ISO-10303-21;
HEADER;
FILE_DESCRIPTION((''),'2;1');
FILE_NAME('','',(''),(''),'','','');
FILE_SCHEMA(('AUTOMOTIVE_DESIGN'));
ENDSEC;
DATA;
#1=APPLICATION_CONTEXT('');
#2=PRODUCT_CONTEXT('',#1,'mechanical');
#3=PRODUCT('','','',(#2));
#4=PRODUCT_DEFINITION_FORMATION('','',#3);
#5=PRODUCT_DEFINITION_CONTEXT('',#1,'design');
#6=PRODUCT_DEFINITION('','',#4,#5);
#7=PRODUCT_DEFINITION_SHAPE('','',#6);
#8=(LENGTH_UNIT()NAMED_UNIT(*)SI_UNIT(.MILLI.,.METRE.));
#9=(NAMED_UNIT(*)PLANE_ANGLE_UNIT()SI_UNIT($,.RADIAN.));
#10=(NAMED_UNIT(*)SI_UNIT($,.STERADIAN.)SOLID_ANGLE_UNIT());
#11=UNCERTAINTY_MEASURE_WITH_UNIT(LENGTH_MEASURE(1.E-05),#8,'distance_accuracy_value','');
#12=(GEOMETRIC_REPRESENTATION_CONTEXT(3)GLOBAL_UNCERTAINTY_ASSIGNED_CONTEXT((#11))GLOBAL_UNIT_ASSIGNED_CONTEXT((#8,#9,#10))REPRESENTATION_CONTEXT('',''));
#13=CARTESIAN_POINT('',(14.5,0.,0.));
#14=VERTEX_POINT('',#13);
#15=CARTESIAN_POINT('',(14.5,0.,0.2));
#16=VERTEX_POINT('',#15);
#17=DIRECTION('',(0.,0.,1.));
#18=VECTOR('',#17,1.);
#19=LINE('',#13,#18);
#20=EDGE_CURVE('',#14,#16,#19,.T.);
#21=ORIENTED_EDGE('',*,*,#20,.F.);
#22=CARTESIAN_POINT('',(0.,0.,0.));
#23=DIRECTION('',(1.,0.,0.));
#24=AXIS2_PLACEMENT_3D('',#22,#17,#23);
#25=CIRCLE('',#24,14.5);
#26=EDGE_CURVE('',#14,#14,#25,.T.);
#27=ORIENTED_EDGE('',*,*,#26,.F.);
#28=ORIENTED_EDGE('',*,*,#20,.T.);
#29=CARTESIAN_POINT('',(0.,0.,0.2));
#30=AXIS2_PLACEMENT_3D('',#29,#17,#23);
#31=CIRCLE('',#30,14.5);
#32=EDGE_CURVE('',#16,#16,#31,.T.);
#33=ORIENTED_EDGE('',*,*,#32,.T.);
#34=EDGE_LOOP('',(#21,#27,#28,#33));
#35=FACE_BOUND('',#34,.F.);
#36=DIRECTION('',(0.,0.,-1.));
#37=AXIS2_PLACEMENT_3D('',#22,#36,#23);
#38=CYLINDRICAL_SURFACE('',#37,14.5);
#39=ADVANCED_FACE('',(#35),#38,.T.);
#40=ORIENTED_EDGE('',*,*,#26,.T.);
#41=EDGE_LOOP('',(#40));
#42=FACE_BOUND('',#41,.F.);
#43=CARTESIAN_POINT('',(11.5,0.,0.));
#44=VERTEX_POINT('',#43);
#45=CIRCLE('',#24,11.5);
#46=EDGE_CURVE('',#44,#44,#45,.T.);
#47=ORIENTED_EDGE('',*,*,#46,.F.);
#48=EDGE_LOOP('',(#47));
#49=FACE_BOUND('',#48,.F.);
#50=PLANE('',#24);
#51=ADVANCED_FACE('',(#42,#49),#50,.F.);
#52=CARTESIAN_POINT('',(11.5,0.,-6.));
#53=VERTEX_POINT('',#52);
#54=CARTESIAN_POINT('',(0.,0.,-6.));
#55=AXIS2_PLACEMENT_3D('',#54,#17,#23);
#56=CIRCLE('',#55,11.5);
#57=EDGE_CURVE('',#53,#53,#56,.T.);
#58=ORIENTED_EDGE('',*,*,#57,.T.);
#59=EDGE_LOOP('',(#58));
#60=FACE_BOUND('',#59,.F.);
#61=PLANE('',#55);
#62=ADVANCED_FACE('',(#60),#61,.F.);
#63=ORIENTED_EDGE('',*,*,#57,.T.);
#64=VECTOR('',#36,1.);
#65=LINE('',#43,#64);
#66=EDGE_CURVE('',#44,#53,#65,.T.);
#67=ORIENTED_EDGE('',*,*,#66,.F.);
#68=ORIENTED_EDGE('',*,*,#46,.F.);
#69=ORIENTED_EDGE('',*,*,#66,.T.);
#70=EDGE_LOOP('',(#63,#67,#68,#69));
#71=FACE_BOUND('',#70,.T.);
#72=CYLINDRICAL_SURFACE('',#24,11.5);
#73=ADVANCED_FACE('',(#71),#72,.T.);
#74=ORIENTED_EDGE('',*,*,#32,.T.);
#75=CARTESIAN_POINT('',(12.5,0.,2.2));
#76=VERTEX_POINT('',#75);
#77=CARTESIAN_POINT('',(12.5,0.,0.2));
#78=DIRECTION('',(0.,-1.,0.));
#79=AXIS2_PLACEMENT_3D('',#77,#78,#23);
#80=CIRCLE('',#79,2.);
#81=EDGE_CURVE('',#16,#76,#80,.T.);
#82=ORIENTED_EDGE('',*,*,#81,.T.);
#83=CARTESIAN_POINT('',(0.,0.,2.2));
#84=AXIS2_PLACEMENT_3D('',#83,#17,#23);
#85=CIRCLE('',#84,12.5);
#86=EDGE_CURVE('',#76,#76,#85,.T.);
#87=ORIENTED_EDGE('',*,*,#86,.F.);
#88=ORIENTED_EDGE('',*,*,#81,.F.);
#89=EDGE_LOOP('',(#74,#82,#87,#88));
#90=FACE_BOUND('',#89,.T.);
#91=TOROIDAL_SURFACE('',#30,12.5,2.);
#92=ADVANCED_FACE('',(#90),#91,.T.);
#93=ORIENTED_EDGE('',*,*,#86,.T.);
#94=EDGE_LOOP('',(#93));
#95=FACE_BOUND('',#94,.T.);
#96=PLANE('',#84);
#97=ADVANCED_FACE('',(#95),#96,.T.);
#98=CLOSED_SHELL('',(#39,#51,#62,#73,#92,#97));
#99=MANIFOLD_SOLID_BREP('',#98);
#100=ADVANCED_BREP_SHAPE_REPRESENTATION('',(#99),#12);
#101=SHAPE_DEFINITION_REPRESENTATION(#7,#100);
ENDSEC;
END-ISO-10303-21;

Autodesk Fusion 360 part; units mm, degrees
sketch "Sketch1" plane through (0, 0, 0) normal (0, 0, 1) x (1, 0, 0)
  circle A0 centre (0, 0) radius 11.5
  circle A1 centre (0, 0) radius 14.5
  dimension "d1" = 23
  dimension "d2" = 29
extrude "Extrude1" add sketch "Sketch1" along normal blind 2.2 contours A0 | A1
extrude "Extrude2" add sketch "Sketch1" against normal blind 6 contours A0
fillet "Fillet1" radius 2 1 edges at (-13.5187, -5.2434, 2.2)
